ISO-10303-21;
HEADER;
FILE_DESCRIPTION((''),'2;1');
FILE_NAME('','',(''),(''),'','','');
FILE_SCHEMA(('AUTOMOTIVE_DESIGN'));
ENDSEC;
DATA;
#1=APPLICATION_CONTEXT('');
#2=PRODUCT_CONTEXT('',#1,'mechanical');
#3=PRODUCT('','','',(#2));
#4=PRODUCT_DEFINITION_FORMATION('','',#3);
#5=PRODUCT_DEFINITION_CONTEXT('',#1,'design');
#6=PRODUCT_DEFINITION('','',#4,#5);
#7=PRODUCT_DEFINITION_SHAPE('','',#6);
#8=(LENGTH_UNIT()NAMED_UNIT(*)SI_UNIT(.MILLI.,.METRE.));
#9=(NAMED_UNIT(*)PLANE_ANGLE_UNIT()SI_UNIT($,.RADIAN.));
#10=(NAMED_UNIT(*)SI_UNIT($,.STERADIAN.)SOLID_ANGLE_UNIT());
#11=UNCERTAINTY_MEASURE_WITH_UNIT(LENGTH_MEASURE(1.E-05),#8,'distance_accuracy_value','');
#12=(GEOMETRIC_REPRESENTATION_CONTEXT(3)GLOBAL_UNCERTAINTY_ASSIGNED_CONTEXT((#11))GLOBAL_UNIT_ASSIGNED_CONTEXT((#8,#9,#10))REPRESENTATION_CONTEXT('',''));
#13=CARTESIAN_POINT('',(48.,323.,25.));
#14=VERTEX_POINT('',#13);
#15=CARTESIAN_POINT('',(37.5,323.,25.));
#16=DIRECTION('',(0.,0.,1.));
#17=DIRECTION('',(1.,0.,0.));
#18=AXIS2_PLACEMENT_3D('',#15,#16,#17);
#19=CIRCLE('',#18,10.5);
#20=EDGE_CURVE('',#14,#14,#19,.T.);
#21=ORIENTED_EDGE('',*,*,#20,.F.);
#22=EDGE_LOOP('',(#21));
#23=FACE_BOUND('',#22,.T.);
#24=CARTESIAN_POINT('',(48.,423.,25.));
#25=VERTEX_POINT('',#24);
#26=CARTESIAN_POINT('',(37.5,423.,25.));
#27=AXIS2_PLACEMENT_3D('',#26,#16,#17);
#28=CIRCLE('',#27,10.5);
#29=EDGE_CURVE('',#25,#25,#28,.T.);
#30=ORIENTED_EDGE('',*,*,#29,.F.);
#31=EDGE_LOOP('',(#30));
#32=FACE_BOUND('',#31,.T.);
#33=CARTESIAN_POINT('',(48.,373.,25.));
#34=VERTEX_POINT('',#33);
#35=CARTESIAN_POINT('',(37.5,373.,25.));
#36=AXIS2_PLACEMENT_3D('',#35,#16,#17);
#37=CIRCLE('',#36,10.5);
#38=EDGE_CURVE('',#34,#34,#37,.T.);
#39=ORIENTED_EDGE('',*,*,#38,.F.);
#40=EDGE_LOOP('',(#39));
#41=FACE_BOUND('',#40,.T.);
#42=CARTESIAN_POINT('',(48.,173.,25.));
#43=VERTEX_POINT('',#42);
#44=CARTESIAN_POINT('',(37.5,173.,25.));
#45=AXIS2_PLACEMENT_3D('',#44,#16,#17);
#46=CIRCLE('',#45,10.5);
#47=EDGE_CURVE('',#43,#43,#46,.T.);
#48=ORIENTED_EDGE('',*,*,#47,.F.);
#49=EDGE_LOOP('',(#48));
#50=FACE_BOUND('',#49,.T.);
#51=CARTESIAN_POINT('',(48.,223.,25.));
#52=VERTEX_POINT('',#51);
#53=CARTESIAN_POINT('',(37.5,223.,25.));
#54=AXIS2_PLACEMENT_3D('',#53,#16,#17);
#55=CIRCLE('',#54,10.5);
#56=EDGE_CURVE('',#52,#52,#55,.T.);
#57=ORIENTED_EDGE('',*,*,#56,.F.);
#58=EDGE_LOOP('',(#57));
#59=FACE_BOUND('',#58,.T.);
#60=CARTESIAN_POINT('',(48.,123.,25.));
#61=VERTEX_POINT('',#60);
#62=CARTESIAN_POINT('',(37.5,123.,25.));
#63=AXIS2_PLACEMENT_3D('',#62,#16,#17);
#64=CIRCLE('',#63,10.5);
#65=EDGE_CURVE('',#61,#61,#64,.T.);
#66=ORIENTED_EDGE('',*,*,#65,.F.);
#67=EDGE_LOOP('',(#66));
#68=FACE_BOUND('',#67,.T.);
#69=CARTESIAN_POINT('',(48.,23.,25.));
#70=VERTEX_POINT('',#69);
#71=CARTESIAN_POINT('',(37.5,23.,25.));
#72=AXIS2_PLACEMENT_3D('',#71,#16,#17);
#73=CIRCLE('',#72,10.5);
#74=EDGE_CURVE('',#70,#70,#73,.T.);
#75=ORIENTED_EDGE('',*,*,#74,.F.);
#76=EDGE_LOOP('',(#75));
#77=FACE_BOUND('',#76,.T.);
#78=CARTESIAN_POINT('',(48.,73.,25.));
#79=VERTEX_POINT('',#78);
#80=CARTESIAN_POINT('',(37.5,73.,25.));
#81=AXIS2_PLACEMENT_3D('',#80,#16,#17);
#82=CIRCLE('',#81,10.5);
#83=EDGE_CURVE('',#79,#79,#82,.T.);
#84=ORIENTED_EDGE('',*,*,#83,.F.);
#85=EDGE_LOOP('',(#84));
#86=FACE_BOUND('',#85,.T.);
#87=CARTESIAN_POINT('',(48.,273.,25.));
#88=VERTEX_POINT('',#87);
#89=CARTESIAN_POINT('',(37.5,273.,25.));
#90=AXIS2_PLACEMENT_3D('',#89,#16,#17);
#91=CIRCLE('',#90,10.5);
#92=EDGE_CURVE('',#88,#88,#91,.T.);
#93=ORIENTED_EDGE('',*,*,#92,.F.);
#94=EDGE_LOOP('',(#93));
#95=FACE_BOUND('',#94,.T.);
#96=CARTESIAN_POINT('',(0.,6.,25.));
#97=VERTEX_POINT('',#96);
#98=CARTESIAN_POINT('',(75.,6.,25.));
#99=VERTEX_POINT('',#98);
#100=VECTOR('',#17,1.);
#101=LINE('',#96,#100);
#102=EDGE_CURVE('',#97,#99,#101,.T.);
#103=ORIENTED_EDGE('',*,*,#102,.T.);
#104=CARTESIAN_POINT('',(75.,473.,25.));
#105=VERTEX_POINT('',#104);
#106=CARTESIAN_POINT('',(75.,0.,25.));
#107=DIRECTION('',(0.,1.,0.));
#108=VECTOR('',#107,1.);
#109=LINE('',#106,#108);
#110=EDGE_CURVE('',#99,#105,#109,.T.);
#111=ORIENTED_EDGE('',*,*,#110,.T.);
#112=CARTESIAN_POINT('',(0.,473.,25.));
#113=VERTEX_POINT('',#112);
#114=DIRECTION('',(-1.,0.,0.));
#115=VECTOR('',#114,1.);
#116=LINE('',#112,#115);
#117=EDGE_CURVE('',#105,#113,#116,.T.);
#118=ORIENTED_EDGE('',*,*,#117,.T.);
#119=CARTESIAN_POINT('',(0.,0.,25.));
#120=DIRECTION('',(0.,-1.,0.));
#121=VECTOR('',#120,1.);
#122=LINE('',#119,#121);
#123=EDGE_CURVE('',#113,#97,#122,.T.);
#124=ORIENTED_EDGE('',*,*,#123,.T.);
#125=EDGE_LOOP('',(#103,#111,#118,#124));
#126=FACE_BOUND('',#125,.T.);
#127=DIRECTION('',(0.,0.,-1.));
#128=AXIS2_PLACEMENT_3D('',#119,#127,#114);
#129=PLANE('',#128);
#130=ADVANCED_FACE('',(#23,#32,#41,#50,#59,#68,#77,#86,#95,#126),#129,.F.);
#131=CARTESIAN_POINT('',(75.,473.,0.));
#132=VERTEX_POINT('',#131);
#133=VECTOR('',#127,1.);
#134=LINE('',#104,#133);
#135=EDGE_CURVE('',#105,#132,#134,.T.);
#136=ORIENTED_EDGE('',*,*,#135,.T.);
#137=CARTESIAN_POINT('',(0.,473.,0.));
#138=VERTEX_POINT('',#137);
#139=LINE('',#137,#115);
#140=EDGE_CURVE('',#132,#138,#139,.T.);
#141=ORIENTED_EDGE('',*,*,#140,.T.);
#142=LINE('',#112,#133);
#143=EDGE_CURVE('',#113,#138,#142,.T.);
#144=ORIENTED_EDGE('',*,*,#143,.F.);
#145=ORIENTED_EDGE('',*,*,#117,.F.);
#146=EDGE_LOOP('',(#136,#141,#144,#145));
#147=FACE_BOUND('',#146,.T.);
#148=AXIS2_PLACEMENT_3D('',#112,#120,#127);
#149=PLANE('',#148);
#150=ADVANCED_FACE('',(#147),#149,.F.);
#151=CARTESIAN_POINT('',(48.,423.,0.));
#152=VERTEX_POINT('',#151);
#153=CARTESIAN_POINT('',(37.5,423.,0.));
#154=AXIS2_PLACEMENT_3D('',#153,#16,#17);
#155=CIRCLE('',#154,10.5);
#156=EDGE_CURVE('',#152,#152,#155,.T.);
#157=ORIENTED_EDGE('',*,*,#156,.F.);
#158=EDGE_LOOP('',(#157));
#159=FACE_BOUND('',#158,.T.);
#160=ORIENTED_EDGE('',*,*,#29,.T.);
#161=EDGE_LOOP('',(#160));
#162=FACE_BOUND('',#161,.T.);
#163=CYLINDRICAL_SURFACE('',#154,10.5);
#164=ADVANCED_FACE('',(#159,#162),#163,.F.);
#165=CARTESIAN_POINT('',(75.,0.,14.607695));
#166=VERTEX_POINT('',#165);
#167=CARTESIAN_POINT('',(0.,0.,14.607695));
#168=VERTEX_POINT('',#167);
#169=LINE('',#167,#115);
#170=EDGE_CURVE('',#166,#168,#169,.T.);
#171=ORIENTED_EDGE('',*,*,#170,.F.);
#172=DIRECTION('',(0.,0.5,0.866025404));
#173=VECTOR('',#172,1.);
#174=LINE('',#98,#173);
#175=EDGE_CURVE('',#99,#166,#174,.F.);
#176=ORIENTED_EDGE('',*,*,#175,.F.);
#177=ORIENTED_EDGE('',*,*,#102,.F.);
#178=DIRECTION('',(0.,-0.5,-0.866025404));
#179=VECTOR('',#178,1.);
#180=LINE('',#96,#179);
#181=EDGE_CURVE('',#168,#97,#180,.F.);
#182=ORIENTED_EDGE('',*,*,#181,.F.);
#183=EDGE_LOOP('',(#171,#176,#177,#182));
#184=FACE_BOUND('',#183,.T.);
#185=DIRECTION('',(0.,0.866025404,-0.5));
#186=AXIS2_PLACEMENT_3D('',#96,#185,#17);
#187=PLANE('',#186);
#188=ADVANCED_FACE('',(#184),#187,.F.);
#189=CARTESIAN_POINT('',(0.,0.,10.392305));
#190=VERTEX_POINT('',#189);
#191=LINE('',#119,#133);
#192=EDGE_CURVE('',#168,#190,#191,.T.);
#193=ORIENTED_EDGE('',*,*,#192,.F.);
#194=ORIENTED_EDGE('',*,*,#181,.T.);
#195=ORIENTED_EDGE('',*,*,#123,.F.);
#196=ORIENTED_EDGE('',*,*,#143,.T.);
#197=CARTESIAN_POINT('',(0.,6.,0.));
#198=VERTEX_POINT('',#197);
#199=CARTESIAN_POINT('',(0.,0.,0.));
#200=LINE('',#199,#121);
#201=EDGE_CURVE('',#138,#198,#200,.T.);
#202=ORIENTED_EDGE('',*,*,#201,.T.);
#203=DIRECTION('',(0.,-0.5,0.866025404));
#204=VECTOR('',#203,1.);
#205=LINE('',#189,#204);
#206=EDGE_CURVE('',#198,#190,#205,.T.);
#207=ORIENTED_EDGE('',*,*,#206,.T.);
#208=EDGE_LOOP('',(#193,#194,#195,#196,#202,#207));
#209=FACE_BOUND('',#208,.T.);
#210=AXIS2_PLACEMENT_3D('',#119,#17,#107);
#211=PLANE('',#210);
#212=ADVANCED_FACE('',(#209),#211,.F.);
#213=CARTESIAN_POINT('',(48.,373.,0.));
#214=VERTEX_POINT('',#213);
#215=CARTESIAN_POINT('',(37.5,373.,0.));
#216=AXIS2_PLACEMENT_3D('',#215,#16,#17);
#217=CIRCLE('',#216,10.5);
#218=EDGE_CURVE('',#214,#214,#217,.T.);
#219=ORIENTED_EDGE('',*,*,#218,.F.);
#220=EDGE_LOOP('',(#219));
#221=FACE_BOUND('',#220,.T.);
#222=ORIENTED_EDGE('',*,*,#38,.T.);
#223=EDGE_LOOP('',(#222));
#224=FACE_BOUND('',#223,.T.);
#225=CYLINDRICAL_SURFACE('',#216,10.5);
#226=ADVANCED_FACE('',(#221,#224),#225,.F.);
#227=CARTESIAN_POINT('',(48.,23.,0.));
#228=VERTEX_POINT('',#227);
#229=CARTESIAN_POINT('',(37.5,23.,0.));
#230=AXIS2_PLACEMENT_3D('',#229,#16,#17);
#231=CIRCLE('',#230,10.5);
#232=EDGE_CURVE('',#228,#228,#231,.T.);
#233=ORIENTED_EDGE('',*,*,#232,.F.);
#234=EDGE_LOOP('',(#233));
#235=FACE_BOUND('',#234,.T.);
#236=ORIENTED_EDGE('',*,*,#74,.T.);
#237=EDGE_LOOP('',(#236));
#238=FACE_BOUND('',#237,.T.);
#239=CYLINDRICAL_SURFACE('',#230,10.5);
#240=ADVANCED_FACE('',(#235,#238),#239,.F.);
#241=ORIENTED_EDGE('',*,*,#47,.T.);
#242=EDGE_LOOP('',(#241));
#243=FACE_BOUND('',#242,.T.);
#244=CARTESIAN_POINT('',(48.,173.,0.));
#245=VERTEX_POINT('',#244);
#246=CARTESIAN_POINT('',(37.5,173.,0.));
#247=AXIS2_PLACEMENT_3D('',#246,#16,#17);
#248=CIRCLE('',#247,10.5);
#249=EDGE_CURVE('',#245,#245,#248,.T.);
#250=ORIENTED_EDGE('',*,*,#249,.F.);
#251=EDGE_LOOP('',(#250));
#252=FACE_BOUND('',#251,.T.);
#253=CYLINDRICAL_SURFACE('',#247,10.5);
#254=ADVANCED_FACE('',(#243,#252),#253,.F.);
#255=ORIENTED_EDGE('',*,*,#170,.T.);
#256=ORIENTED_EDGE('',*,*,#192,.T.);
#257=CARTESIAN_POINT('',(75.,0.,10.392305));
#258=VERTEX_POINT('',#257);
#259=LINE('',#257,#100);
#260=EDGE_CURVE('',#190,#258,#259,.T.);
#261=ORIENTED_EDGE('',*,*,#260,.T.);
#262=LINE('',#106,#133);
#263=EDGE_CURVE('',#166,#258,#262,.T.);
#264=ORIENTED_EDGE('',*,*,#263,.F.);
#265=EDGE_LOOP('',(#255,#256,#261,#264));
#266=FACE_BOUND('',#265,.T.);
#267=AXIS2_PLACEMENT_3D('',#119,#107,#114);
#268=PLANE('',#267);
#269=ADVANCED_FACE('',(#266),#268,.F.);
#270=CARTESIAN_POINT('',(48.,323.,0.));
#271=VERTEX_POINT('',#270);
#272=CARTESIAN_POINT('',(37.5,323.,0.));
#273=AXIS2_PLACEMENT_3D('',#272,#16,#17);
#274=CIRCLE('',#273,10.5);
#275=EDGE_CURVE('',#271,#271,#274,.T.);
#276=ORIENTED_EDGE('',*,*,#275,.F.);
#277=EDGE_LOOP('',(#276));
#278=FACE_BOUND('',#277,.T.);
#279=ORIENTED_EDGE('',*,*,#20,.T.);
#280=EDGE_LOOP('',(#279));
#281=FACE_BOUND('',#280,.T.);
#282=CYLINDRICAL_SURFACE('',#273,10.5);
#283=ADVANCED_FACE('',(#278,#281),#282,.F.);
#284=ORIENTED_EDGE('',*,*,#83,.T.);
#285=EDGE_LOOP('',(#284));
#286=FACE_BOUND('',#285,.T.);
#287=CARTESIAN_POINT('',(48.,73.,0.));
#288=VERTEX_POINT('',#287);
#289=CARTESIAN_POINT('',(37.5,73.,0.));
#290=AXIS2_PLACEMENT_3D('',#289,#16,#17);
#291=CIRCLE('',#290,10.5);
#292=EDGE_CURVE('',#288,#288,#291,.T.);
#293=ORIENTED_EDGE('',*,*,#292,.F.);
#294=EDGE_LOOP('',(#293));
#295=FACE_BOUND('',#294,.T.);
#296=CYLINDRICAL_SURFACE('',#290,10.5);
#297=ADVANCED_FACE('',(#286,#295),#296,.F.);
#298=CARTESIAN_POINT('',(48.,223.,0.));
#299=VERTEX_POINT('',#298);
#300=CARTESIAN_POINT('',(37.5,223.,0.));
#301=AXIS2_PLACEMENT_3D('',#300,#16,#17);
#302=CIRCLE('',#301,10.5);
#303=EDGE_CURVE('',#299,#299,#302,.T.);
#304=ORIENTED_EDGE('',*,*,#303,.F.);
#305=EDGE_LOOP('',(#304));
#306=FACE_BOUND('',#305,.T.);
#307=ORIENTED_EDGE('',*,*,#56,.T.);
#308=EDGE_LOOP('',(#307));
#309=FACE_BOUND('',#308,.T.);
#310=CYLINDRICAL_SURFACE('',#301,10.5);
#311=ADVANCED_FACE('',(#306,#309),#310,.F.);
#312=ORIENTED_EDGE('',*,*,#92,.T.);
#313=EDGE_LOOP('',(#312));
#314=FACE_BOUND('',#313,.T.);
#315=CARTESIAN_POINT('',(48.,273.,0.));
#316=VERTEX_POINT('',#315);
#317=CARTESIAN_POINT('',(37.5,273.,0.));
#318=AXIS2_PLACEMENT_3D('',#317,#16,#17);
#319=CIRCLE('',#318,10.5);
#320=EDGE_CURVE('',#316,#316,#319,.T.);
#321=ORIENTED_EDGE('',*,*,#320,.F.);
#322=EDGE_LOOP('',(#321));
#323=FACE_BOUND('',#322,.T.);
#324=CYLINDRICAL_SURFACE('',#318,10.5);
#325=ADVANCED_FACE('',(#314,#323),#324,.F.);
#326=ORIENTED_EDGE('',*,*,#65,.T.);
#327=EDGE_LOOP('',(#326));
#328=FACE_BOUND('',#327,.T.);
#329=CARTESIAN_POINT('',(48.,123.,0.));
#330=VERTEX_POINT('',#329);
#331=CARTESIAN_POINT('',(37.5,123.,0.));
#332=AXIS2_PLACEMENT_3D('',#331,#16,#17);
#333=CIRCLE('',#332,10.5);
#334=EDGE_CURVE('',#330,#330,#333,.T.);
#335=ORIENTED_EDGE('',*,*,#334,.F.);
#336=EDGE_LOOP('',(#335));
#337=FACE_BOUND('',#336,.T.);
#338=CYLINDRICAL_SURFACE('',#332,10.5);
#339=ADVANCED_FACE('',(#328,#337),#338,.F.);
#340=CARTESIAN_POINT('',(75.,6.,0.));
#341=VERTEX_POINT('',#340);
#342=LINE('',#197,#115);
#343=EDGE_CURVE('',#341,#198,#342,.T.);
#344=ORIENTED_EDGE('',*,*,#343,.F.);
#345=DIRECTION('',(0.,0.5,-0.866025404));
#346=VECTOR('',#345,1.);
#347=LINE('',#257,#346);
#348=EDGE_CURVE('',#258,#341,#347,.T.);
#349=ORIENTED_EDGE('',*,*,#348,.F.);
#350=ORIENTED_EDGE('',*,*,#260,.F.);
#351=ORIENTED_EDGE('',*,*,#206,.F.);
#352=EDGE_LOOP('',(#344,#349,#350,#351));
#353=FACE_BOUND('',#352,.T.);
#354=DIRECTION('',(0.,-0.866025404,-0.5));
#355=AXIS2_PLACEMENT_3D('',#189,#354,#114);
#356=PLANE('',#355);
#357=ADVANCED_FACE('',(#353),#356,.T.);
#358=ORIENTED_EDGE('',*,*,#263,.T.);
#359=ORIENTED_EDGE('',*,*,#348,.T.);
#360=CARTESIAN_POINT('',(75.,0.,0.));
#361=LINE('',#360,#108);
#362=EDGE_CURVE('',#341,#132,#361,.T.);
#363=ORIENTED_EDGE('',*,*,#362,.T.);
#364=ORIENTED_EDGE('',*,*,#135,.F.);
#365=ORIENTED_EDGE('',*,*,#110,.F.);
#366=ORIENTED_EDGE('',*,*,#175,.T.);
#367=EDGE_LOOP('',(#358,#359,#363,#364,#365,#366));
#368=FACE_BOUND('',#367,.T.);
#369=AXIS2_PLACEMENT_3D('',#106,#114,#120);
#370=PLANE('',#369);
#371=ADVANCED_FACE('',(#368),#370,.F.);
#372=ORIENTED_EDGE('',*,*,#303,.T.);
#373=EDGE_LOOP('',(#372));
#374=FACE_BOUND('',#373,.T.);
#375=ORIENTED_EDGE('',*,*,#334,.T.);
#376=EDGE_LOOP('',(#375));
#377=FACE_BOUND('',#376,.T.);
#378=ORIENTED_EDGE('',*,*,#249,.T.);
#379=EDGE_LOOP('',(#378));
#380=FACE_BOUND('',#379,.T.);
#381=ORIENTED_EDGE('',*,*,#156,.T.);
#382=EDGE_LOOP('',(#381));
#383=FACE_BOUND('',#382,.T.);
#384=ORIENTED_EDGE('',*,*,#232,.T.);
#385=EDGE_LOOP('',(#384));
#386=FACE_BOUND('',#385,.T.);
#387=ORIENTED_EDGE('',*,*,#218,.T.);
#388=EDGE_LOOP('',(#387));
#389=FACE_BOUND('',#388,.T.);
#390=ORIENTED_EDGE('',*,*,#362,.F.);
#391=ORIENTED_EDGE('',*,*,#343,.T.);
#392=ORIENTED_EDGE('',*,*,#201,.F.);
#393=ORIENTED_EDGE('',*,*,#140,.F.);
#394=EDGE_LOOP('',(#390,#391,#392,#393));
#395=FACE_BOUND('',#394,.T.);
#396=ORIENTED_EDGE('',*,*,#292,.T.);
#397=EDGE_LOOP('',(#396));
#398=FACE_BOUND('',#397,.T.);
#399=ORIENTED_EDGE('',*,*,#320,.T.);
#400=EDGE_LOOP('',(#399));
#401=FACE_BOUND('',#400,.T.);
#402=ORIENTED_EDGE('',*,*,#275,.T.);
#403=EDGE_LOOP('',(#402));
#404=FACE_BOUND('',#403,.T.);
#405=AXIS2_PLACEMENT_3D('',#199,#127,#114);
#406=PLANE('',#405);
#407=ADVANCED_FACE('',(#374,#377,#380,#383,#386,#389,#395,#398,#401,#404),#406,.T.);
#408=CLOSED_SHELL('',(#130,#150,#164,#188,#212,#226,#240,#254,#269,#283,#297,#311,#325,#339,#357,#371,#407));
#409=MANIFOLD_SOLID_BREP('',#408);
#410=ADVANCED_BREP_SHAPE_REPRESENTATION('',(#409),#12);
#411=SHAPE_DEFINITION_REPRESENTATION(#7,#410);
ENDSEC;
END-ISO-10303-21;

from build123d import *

# Parameters (mm, degrees)
SKETCH_1_W          = 75
SKETCH_1_H          = 473
EXTRUDE_1_DEPTH     = 25
SKETCH_2_R          = 10.5
CUT_EXTRUDE_1_DEPTH = 26
CHAMFER_1_SIZE      = 6
CHAMFER_1_SIZE2     = 10.392304845
CHAMFER_2_SIZE      = 6
CHAMFER_2_SIZE2     = 10.392304845


with BuildPart() as part:
    # Эскиз1 → Бобышка-Вытянуть1 (new body)
    with BuildSketch(Plane.XY):
        with Locations((37.5, 236.5)):
            Rectangle(SKETCH_1_W, SKETCH_1_H)
    extrude(amount=EXTRUDE_1_DEPTH)

    # Эскиз2 → Вырез-Вытянуть1 (cut, through all)
    with BuildSketch(Plane.XY.offset(25)):
        with Locations((37.5, 23)):
            Circle(SKETCH_2_R)
        with Locations((37.5, 73)):
            Circle(SKETCH_2_R)
        with Locations((37.5, 123)):
            Circle(SKETCH_2_R)
        with Locations((37.5, 173)):
            Circle(SKETCH_2_R)
        with Locations((37.5, 223)):
            Circle(SKETCH_2_R)
        with Locations((37.5, 273)):
            Circle(SKETCH_2_R)
        with Locations((37.5, 323)):
            Circle(SKETCH_2_R)
        with Locations((37.5, 373)):
            Circle(SKETCH_2_R)
        with Locations((37.5, 423)):
            Circle(SKETCH_2_R)
    extrude(amount=-CUT_EXTRUDE_1_DEPTH, mode=Mode.SUBTRACT)

    # Фаска1
    chamfer_1_edges = [part.edges().sort_by_distance(p)[0] for p in [
        (37.5, 0, 0),
    ]]
    chamfer_1_side = [part.faces().sort_by_distance(p)[0] for p in [
        (37.5, 237.800547955, 0),
    ]]
    chamfer(chamfer_1_edges, length=CHAMFER_1_SIZE, length2=CHAMFER_1_SIZE2, reference=chamfer_1_side[0])

    # Фаска2
    chamfer_2_edges = [part.edges().sort_by_distance(p)[0] for p in [
        (37.5, 0, 25),
    ]]
    chamfer_2_side = [part.faces().sort_by_distance(p)[0] for p in [
        (37.5, 237.800547955, 25),
    ]]
    chamfer(chamfer_2_edges, length=CHAMFER_2_SIZE, length2=CHAMFER_2_SIZE2, reference=chamfer_2_side[0])


solid = part.part
